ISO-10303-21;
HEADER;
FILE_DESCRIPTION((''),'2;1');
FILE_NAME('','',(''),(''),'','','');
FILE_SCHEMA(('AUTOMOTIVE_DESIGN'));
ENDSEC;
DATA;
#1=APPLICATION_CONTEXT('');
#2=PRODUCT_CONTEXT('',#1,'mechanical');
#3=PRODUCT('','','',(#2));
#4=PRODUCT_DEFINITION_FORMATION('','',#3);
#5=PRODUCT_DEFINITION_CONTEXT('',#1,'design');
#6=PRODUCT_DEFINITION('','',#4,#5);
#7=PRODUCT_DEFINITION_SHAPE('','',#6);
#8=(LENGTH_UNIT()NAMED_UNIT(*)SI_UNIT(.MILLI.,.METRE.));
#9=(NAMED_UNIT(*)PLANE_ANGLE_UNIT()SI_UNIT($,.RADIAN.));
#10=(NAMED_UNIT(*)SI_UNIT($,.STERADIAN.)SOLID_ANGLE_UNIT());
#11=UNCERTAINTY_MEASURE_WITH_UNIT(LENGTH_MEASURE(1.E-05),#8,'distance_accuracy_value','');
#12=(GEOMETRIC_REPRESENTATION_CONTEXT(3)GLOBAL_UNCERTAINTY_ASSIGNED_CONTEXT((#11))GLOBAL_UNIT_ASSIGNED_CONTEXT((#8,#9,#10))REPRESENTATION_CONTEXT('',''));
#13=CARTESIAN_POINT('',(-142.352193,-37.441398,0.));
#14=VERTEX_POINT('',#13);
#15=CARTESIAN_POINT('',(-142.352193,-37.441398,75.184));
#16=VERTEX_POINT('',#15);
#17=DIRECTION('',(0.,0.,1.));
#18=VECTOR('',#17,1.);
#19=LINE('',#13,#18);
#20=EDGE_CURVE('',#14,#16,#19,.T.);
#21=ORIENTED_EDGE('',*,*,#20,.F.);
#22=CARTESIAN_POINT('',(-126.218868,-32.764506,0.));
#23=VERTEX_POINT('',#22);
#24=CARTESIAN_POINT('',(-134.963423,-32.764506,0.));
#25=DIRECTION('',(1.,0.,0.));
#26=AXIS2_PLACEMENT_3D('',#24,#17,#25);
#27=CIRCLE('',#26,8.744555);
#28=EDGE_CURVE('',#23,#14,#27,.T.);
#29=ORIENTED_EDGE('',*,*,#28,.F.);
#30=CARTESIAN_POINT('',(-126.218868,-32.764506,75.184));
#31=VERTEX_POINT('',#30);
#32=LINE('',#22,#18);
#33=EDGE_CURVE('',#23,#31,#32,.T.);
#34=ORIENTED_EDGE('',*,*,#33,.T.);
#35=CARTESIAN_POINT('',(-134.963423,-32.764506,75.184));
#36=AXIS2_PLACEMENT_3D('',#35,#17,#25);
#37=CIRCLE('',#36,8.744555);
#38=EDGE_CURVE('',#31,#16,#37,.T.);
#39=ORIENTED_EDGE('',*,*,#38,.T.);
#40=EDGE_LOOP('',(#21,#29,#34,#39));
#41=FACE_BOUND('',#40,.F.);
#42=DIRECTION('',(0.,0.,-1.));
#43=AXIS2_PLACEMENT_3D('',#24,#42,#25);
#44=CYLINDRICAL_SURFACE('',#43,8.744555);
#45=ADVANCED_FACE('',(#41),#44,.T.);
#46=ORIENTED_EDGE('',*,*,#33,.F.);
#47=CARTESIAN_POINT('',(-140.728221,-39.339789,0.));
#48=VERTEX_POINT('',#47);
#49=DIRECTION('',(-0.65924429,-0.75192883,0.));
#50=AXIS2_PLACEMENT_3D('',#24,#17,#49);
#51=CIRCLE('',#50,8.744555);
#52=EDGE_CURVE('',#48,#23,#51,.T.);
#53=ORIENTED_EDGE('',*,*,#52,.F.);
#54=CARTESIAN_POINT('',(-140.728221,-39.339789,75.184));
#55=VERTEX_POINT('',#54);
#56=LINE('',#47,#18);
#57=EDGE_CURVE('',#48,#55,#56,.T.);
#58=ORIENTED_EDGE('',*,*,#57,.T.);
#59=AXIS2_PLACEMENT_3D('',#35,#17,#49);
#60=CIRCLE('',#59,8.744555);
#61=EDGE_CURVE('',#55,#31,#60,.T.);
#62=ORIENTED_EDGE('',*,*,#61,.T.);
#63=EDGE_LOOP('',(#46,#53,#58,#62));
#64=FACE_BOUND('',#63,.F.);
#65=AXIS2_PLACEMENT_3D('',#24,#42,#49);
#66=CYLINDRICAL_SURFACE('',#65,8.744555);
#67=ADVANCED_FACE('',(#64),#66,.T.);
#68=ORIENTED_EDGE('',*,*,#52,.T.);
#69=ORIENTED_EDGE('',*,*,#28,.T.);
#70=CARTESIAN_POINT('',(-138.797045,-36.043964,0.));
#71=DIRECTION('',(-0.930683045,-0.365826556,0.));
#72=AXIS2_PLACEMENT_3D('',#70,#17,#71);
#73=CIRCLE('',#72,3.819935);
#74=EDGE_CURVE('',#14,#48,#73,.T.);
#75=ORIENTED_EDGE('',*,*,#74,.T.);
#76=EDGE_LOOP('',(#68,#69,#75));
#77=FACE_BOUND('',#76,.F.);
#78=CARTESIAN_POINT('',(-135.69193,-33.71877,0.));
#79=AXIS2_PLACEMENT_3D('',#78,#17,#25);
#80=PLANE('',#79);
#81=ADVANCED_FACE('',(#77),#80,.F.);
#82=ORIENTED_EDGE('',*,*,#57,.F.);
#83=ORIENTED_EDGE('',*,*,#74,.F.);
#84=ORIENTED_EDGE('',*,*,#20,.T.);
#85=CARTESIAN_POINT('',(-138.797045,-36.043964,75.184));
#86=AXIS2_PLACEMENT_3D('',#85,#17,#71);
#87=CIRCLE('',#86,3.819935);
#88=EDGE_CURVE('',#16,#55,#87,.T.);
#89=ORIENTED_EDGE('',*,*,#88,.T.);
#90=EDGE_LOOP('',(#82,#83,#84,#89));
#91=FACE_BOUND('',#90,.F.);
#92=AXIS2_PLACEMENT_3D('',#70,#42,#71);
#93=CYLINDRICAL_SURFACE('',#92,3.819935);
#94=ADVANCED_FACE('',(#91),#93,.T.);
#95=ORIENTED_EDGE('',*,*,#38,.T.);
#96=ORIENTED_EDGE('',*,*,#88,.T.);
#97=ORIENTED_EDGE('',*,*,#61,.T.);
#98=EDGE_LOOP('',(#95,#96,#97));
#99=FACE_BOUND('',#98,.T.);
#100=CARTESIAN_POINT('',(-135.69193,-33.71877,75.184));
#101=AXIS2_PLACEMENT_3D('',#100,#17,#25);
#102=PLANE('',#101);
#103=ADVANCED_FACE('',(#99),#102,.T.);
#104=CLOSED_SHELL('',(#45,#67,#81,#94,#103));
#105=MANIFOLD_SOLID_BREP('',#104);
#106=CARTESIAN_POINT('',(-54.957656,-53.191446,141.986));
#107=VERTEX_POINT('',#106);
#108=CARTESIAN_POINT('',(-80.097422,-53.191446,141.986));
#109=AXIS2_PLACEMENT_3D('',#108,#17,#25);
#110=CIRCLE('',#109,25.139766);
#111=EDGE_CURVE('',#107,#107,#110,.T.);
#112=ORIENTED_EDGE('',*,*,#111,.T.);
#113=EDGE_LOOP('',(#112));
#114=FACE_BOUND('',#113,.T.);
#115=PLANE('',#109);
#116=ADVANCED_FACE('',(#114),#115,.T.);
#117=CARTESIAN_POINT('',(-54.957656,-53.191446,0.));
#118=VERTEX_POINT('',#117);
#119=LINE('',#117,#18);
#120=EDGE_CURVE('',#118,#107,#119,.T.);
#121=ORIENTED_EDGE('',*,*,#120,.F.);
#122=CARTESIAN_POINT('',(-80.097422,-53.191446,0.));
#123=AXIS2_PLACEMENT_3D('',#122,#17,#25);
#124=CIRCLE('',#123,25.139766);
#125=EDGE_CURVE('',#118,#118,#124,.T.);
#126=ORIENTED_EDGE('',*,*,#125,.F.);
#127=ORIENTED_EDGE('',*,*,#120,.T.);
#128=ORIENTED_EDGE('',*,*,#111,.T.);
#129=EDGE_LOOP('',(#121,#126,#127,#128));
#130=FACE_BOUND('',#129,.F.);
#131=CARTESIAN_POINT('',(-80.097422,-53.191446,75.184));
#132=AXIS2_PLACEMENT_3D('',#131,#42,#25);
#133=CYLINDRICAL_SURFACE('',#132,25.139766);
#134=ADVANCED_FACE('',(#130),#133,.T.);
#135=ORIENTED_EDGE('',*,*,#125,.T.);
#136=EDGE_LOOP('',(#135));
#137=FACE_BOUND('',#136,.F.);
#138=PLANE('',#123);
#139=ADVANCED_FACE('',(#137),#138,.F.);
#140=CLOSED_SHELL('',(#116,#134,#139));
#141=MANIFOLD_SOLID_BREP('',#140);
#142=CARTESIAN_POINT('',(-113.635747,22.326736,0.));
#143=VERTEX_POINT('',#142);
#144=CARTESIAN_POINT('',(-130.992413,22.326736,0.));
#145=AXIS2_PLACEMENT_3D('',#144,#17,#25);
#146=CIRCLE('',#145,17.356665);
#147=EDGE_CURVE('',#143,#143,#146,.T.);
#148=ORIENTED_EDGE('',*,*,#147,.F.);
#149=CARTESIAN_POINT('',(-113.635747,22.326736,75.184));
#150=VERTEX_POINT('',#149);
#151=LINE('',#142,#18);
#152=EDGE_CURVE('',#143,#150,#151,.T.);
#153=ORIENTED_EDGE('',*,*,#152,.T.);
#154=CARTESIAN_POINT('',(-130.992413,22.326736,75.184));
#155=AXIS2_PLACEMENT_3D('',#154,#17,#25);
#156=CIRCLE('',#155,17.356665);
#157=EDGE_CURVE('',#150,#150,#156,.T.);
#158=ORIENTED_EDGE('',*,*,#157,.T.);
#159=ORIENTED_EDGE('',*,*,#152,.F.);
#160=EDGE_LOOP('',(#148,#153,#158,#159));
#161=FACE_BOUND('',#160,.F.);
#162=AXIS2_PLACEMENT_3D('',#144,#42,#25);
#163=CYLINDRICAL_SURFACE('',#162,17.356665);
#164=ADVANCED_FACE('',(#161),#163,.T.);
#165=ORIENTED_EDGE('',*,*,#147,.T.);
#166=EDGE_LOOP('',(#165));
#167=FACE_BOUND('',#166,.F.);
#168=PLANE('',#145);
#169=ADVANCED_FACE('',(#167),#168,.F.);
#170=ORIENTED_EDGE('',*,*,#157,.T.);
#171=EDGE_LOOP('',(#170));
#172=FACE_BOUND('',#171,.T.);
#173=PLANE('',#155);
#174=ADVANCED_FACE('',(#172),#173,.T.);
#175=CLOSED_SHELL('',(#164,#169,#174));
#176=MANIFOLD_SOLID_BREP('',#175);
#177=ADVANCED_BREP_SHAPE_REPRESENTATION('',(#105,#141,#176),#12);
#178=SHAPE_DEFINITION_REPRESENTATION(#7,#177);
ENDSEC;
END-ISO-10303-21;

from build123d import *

# Parameters (mm, degrees)
F0_R     = 25.1397664288
F1_DEPTH = 75.184
F0_R_2   = 17.3566653616
F2_DEPTH = 66.802


with BuildPart() as f1:
    # F0 (on Top) → F1 (new body)
    with BuildSketch(Plane.XY):
        with Locations((-80.0974220037, -53.1914457679)):
            Circle(F0_R)
    extrude(amount=F1_DEPTH)

    # F2 (add): a face of the model
    f2_faces = [f1.faces().sort_by_distance(p)[0] for p in [
        (-80.0974220037, -53.1914457679, 75.184),
    ]]
    extrude(f2_faces, amount=F2_DEPTH)


with BuildPart() as f1b:
    # F0 (on Top) → F1, piece 2 (new body)
    with BuildSketch(Plane.XY):
        with Locations((-130.9924125671, 22.3267357796)):
            Circle(F0_R_2)
    extrude(amount=F1_DEPTH)


with BuildPart() as f1c:
    # F0 (on Top) → F1, piece 3 (new body)
    with BuildSketch(Plane.XY):
        with BuildLine():
            ThreePointArc((-140.7282212122, -39.3397888884), (-131.3539457938, -40.7293610775), (-126.2188676414, -32.764505595))
            ThreePointArc((-126.2188676414, -32.764505595), (-137.3981445081, -24.3657330714), (-142.3521933282, -37.4413979284))
            ThreePointArc((-142.3521933282, -37.4413979284), (-139.5081938997, -32.2908097934), (-134.9771099305, -36.0439643264))
            ThreePointArc((-134.9771099305, -36.0439643264), (-136.8977114693, -39.3582417936), (-140.7282212122, -39.3397888884))
        make_face()
        with BuildLine():
            ThreePointArc((-134.9771099305, -36.0439643264), (-139.5081938997, -32.2908097934), (-142.3521933282, -37.4413979284))
            ThreePointArc((-142.3521933282, -37.4413979284), (-141.6083506443, -38.4488864269), (-140.7282212122, -39.3397888884))
            ThreePointArc((-140.7282212122, -39.3397888884), (-136.8977114693, -39.3582417936), (-134.9771099305, -36.0439643264))
        make_face()
        with BuildLine():
            ThreePointArc((-140.7282212122, -39.3397888884), (-141.6083506443, -38.4488864269), (-142.3521933282, -37.4413979284))
            ThreePointArc((-142.3521933282, -37.4413979284), (-141.6997870177, -38.5271053628), (-140.7282212122, -39.3397888884))
        make_face()
    extrude(amount=F1_DEPTH)


solid = Compound([f1.part, f1b.part, f1c.part])
